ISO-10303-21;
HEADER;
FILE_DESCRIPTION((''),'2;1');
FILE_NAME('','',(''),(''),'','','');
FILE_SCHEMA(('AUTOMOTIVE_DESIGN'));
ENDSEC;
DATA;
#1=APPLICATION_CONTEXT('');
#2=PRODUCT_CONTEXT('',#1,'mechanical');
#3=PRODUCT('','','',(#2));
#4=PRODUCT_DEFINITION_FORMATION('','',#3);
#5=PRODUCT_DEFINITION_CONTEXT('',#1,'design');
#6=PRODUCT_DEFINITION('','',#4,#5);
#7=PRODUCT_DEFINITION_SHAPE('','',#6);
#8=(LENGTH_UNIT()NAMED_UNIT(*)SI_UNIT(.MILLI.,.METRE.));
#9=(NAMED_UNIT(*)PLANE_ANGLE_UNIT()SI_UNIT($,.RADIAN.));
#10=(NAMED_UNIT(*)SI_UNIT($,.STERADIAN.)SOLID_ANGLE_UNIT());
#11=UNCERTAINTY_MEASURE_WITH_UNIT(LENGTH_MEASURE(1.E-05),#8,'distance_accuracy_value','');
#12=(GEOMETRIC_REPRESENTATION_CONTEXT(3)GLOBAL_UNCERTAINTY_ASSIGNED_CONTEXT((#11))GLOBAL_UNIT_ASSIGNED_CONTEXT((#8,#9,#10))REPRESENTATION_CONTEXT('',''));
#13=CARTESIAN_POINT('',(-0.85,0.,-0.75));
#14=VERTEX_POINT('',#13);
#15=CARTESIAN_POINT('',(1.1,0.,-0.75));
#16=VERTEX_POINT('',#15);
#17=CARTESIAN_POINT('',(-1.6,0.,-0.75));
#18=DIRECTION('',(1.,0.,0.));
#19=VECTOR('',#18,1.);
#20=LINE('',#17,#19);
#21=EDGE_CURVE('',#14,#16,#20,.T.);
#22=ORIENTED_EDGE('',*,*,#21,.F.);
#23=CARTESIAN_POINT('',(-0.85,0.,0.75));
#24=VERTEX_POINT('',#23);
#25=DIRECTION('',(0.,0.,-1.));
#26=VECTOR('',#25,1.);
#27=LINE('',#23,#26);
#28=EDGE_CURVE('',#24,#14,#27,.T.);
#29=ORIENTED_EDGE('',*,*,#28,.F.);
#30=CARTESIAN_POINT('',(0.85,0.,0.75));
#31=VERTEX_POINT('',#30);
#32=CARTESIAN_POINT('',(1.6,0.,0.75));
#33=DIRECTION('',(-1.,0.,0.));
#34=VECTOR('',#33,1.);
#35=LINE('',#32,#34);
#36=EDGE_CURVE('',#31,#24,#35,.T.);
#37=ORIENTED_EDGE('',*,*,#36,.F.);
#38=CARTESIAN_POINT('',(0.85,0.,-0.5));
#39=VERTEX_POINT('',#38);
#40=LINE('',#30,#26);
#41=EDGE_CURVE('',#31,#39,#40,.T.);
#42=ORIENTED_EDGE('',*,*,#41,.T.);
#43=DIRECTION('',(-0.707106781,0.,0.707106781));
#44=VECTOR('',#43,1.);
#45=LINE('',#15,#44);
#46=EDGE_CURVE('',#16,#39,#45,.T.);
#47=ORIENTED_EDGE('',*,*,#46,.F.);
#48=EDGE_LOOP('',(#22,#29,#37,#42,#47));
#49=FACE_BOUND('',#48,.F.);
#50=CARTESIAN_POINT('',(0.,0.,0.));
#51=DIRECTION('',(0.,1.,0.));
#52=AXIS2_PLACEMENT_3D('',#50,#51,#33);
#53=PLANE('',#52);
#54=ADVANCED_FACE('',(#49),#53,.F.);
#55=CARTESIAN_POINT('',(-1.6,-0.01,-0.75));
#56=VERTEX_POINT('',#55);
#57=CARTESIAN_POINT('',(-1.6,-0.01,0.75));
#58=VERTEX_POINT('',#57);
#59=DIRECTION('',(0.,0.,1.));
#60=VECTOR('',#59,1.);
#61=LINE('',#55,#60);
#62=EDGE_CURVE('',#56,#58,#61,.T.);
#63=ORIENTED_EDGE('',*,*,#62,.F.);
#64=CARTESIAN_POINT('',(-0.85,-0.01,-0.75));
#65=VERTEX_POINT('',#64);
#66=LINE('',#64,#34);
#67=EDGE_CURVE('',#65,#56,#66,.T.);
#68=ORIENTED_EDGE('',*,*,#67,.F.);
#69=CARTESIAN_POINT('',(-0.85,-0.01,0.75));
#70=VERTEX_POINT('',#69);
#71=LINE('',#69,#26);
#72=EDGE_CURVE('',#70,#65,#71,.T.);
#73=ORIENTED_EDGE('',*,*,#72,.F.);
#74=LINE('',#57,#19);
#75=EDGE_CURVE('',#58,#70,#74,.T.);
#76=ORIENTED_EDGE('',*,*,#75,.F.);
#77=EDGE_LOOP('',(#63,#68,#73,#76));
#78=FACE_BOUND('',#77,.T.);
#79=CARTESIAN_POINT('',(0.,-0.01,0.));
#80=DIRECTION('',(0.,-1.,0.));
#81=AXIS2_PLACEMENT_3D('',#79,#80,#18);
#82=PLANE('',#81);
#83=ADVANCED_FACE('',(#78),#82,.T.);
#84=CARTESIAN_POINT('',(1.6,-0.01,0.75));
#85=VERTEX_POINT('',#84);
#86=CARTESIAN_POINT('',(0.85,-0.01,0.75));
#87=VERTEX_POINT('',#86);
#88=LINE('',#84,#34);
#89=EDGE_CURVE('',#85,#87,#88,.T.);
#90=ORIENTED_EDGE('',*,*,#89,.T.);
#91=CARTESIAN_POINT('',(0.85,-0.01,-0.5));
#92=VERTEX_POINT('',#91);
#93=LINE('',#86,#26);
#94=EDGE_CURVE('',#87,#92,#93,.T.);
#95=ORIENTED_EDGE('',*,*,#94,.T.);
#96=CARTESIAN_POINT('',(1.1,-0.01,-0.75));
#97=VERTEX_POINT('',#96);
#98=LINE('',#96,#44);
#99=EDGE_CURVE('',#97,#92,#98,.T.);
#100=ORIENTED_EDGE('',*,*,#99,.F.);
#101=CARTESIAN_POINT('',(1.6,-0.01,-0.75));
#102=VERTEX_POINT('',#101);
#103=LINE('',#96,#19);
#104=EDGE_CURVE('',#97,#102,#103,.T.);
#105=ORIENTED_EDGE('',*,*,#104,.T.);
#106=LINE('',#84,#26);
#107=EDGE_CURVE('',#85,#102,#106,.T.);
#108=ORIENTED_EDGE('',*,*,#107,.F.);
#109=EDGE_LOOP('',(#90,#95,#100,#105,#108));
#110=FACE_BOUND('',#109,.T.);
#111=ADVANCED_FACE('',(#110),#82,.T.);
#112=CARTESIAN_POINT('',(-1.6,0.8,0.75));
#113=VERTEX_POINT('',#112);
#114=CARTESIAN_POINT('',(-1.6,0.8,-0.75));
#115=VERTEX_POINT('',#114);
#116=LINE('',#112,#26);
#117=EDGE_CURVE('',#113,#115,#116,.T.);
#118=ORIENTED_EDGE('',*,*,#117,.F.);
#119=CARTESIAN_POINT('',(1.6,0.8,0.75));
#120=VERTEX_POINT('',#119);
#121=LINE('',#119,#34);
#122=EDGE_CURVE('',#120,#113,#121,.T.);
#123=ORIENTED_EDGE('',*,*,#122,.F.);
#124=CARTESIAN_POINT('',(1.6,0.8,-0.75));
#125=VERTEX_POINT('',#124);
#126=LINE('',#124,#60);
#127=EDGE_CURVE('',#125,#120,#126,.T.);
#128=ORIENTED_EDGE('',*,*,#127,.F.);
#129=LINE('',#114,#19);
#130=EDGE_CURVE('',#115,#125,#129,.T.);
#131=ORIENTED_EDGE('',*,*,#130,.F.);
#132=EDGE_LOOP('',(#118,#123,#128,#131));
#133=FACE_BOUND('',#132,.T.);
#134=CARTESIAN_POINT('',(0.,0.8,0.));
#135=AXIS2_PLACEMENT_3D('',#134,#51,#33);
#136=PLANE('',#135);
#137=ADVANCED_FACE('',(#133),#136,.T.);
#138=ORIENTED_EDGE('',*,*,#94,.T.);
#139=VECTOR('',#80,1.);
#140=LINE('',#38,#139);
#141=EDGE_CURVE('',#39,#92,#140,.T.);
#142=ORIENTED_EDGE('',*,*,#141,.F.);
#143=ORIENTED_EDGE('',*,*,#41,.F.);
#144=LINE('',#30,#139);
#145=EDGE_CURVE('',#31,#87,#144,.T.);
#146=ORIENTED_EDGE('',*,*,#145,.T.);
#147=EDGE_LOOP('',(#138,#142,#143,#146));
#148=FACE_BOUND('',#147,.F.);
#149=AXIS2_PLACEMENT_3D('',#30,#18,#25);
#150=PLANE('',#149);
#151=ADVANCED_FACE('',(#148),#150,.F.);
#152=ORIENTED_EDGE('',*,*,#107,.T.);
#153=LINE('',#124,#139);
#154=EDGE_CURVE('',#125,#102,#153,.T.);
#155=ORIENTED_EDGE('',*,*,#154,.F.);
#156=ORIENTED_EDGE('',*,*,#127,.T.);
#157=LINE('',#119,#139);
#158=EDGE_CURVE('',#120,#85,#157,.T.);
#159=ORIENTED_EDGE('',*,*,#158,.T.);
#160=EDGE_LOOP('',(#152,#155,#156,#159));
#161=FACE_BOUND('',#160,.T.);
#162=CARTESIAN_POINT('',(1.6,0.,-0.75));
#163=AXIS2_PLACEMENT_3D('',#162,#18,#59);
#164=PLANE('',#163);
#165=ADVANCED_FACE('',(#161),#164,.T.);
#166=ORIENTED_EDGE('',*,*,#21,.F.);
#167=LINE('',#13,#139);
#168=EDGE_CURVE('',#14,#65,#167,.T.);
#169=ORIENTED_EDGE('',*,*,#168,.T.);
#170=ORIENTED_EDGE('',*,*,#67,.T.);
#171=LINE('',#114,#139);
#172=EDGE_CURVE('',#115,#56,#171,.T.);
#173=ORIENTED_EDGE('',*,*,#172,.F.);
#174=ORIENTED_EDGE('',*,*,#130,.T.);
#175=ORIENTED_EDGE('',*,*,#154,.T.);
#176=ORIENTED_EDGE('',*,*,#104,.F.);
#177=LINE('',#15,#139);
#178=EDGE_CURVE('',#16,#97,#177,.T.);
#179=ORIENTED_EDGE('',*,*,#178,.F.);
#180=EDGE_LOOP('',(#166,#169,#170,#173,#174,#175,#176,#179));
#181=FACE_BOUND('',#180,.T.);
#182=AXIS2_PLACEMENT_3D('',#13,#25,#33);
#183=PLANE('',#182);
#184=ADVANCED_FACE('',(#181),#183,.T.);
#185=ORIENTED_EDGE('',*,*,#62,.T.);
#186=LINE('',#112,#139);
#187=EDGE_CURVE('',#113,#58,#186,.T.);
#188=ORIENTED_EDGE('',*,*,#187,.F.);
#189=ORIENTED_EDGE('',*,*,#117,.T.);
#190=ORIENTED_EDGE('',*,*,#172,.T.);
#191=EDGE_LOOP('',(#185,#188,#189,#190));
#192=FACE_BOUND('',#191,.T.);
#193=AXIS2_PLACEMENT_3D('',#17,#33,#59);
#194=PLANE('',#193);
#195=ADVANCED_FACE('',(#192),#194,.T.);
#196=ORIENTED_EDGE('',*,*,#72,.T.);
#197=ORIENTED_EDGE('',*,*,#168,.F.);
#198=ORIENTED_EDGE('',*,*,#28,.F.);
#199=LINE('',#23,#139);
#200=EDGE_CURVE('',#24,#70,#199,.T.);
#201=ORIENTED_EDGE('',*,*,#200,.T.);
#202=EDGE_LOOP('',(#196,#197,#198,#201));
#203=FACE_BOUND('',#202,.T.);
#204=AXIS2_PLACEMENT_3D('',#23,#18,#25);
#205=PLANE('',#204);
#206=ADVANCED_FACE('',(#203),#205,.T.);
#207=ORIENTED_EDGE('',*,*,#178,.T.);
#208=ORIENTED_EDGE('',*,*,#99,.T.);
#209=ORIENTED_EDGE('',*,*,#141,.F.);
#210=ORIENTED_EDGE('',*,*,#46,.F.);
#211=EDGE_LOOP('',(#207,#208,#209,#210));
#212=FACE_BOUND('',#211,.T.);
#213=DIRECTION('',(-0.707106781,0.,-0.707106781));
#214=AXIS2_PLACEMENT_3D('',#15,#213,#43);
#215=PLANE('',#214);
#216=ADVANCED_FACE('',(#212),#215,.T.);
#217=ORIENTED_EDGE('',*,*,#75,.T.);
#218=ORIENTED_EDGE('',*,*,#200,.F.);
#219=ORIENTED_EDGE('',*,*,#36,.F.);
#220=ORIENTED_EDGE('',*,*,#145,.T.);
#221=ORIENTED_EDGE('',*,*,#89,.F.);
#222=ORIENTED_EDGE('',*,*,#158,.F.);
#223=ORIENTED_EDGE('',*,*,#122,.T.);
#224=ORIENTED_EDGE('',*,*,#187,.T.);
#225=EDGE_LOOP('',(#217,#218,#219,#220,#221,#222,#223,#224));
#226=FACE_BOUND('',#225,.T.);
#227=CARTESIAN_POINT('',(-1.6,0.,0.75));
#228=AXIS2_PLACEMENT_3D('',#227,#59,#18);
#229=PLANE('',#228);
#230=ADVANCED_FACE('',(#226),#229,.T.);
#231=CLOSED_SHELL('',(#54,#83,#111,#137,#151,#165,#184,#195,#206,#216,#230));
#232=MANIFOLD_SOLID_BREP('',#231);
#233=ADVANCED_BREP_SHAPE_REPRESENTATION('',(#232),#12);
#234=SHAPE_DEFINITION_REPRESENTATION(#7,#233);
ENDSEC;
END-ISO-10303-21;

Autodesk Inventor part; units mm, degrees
ref_plane "YZ Plane" through (0, 0, 0) normal (1, 0, 0) x (0, 1, 0)
ref_plane "XZ Plane" through (0, 0, 0) normal (0, 1, 0) x (-1, 0, 0)
ref_plane "XY Plane" through (0, 0, 0) normal (0, 0, 1) x (1, 0, 0)
sketch "Sketch1" plane through (0, 0, 0) normal (0, 1, 0) x (-1, 0, 0)
  line L0 (1.6, -0.75) -> (-1.6, -0.75)
  line L1 (-1.6, -0.75) -> (-1.6, 0.75)
  line L2 (-1.6, 0.75) -> (1.6, 0.75)
  line L3 (1.6, 0.75) -> (1.6, -0.75)
  line L4 (1.6, -0.75) -> (-1.6, 0.75) construction
  line L5 (-1.6, -0.75) -> (1.6, 0.75) construction
  point P0 (0, 0)
  dimension "d2" = 3.2
  dimension "d3" = 1.5
extrude "Extrusion1" add sketch "Sketch1" along normal blind 0.8
sketch "Sketch2" plane through (0, 0, 0) normal (0, -1, 0) x (1, 0, 0)
  line L0 (1.6, 0.75) -> (1.6, -0.75) projected
  line L1 (1.6, 0.75) -> (0.85, 0.75)
  line L2 (0.85, 0.75) -> (0.85, -0.5)
  line L3 (1.1, -0.75) -> (1.6, -0.75)
  line L4 (1.6, -0.75) -> (1.6, 0.75)
  circle A0 centre (0.85, -0.75) radius 0.25 construction
  line L5 (1.1, -0.75) -> (0.85, -0.5)
  point P0 (0, 0)
  dimension "d7" = 0.5
  dimension "d8" = 0.75
extrude "Extrusion2" add sketch "Sketch2" along normal blind 0.01
sketch "Sketch3" plane through (0, 0, 0) normal (0, -1, 0) x (1, 0, 0)
  line L0 (-1.6, 0.75) -> (1.6, 0.75) projected
  line L1 (-1.6, 0.75) -> (-0.85, 0.75)
  line L2 (-0.85, 0.75) -> (-0.85, -0.75)
  line L3 (-0.85, -0.75) -> (-1.6, -0.75)
  line L4 (-1.6, -0.75) -> (-1.6, 0.75)
  point P0 (0, 0)
  dimension "d11" = 0.75
  dimension "d12" = 1.5
extrude "Extrusion3" add sketch "Sketch3" along normal blind 0.01
properties part number "32kHz-crystal"
